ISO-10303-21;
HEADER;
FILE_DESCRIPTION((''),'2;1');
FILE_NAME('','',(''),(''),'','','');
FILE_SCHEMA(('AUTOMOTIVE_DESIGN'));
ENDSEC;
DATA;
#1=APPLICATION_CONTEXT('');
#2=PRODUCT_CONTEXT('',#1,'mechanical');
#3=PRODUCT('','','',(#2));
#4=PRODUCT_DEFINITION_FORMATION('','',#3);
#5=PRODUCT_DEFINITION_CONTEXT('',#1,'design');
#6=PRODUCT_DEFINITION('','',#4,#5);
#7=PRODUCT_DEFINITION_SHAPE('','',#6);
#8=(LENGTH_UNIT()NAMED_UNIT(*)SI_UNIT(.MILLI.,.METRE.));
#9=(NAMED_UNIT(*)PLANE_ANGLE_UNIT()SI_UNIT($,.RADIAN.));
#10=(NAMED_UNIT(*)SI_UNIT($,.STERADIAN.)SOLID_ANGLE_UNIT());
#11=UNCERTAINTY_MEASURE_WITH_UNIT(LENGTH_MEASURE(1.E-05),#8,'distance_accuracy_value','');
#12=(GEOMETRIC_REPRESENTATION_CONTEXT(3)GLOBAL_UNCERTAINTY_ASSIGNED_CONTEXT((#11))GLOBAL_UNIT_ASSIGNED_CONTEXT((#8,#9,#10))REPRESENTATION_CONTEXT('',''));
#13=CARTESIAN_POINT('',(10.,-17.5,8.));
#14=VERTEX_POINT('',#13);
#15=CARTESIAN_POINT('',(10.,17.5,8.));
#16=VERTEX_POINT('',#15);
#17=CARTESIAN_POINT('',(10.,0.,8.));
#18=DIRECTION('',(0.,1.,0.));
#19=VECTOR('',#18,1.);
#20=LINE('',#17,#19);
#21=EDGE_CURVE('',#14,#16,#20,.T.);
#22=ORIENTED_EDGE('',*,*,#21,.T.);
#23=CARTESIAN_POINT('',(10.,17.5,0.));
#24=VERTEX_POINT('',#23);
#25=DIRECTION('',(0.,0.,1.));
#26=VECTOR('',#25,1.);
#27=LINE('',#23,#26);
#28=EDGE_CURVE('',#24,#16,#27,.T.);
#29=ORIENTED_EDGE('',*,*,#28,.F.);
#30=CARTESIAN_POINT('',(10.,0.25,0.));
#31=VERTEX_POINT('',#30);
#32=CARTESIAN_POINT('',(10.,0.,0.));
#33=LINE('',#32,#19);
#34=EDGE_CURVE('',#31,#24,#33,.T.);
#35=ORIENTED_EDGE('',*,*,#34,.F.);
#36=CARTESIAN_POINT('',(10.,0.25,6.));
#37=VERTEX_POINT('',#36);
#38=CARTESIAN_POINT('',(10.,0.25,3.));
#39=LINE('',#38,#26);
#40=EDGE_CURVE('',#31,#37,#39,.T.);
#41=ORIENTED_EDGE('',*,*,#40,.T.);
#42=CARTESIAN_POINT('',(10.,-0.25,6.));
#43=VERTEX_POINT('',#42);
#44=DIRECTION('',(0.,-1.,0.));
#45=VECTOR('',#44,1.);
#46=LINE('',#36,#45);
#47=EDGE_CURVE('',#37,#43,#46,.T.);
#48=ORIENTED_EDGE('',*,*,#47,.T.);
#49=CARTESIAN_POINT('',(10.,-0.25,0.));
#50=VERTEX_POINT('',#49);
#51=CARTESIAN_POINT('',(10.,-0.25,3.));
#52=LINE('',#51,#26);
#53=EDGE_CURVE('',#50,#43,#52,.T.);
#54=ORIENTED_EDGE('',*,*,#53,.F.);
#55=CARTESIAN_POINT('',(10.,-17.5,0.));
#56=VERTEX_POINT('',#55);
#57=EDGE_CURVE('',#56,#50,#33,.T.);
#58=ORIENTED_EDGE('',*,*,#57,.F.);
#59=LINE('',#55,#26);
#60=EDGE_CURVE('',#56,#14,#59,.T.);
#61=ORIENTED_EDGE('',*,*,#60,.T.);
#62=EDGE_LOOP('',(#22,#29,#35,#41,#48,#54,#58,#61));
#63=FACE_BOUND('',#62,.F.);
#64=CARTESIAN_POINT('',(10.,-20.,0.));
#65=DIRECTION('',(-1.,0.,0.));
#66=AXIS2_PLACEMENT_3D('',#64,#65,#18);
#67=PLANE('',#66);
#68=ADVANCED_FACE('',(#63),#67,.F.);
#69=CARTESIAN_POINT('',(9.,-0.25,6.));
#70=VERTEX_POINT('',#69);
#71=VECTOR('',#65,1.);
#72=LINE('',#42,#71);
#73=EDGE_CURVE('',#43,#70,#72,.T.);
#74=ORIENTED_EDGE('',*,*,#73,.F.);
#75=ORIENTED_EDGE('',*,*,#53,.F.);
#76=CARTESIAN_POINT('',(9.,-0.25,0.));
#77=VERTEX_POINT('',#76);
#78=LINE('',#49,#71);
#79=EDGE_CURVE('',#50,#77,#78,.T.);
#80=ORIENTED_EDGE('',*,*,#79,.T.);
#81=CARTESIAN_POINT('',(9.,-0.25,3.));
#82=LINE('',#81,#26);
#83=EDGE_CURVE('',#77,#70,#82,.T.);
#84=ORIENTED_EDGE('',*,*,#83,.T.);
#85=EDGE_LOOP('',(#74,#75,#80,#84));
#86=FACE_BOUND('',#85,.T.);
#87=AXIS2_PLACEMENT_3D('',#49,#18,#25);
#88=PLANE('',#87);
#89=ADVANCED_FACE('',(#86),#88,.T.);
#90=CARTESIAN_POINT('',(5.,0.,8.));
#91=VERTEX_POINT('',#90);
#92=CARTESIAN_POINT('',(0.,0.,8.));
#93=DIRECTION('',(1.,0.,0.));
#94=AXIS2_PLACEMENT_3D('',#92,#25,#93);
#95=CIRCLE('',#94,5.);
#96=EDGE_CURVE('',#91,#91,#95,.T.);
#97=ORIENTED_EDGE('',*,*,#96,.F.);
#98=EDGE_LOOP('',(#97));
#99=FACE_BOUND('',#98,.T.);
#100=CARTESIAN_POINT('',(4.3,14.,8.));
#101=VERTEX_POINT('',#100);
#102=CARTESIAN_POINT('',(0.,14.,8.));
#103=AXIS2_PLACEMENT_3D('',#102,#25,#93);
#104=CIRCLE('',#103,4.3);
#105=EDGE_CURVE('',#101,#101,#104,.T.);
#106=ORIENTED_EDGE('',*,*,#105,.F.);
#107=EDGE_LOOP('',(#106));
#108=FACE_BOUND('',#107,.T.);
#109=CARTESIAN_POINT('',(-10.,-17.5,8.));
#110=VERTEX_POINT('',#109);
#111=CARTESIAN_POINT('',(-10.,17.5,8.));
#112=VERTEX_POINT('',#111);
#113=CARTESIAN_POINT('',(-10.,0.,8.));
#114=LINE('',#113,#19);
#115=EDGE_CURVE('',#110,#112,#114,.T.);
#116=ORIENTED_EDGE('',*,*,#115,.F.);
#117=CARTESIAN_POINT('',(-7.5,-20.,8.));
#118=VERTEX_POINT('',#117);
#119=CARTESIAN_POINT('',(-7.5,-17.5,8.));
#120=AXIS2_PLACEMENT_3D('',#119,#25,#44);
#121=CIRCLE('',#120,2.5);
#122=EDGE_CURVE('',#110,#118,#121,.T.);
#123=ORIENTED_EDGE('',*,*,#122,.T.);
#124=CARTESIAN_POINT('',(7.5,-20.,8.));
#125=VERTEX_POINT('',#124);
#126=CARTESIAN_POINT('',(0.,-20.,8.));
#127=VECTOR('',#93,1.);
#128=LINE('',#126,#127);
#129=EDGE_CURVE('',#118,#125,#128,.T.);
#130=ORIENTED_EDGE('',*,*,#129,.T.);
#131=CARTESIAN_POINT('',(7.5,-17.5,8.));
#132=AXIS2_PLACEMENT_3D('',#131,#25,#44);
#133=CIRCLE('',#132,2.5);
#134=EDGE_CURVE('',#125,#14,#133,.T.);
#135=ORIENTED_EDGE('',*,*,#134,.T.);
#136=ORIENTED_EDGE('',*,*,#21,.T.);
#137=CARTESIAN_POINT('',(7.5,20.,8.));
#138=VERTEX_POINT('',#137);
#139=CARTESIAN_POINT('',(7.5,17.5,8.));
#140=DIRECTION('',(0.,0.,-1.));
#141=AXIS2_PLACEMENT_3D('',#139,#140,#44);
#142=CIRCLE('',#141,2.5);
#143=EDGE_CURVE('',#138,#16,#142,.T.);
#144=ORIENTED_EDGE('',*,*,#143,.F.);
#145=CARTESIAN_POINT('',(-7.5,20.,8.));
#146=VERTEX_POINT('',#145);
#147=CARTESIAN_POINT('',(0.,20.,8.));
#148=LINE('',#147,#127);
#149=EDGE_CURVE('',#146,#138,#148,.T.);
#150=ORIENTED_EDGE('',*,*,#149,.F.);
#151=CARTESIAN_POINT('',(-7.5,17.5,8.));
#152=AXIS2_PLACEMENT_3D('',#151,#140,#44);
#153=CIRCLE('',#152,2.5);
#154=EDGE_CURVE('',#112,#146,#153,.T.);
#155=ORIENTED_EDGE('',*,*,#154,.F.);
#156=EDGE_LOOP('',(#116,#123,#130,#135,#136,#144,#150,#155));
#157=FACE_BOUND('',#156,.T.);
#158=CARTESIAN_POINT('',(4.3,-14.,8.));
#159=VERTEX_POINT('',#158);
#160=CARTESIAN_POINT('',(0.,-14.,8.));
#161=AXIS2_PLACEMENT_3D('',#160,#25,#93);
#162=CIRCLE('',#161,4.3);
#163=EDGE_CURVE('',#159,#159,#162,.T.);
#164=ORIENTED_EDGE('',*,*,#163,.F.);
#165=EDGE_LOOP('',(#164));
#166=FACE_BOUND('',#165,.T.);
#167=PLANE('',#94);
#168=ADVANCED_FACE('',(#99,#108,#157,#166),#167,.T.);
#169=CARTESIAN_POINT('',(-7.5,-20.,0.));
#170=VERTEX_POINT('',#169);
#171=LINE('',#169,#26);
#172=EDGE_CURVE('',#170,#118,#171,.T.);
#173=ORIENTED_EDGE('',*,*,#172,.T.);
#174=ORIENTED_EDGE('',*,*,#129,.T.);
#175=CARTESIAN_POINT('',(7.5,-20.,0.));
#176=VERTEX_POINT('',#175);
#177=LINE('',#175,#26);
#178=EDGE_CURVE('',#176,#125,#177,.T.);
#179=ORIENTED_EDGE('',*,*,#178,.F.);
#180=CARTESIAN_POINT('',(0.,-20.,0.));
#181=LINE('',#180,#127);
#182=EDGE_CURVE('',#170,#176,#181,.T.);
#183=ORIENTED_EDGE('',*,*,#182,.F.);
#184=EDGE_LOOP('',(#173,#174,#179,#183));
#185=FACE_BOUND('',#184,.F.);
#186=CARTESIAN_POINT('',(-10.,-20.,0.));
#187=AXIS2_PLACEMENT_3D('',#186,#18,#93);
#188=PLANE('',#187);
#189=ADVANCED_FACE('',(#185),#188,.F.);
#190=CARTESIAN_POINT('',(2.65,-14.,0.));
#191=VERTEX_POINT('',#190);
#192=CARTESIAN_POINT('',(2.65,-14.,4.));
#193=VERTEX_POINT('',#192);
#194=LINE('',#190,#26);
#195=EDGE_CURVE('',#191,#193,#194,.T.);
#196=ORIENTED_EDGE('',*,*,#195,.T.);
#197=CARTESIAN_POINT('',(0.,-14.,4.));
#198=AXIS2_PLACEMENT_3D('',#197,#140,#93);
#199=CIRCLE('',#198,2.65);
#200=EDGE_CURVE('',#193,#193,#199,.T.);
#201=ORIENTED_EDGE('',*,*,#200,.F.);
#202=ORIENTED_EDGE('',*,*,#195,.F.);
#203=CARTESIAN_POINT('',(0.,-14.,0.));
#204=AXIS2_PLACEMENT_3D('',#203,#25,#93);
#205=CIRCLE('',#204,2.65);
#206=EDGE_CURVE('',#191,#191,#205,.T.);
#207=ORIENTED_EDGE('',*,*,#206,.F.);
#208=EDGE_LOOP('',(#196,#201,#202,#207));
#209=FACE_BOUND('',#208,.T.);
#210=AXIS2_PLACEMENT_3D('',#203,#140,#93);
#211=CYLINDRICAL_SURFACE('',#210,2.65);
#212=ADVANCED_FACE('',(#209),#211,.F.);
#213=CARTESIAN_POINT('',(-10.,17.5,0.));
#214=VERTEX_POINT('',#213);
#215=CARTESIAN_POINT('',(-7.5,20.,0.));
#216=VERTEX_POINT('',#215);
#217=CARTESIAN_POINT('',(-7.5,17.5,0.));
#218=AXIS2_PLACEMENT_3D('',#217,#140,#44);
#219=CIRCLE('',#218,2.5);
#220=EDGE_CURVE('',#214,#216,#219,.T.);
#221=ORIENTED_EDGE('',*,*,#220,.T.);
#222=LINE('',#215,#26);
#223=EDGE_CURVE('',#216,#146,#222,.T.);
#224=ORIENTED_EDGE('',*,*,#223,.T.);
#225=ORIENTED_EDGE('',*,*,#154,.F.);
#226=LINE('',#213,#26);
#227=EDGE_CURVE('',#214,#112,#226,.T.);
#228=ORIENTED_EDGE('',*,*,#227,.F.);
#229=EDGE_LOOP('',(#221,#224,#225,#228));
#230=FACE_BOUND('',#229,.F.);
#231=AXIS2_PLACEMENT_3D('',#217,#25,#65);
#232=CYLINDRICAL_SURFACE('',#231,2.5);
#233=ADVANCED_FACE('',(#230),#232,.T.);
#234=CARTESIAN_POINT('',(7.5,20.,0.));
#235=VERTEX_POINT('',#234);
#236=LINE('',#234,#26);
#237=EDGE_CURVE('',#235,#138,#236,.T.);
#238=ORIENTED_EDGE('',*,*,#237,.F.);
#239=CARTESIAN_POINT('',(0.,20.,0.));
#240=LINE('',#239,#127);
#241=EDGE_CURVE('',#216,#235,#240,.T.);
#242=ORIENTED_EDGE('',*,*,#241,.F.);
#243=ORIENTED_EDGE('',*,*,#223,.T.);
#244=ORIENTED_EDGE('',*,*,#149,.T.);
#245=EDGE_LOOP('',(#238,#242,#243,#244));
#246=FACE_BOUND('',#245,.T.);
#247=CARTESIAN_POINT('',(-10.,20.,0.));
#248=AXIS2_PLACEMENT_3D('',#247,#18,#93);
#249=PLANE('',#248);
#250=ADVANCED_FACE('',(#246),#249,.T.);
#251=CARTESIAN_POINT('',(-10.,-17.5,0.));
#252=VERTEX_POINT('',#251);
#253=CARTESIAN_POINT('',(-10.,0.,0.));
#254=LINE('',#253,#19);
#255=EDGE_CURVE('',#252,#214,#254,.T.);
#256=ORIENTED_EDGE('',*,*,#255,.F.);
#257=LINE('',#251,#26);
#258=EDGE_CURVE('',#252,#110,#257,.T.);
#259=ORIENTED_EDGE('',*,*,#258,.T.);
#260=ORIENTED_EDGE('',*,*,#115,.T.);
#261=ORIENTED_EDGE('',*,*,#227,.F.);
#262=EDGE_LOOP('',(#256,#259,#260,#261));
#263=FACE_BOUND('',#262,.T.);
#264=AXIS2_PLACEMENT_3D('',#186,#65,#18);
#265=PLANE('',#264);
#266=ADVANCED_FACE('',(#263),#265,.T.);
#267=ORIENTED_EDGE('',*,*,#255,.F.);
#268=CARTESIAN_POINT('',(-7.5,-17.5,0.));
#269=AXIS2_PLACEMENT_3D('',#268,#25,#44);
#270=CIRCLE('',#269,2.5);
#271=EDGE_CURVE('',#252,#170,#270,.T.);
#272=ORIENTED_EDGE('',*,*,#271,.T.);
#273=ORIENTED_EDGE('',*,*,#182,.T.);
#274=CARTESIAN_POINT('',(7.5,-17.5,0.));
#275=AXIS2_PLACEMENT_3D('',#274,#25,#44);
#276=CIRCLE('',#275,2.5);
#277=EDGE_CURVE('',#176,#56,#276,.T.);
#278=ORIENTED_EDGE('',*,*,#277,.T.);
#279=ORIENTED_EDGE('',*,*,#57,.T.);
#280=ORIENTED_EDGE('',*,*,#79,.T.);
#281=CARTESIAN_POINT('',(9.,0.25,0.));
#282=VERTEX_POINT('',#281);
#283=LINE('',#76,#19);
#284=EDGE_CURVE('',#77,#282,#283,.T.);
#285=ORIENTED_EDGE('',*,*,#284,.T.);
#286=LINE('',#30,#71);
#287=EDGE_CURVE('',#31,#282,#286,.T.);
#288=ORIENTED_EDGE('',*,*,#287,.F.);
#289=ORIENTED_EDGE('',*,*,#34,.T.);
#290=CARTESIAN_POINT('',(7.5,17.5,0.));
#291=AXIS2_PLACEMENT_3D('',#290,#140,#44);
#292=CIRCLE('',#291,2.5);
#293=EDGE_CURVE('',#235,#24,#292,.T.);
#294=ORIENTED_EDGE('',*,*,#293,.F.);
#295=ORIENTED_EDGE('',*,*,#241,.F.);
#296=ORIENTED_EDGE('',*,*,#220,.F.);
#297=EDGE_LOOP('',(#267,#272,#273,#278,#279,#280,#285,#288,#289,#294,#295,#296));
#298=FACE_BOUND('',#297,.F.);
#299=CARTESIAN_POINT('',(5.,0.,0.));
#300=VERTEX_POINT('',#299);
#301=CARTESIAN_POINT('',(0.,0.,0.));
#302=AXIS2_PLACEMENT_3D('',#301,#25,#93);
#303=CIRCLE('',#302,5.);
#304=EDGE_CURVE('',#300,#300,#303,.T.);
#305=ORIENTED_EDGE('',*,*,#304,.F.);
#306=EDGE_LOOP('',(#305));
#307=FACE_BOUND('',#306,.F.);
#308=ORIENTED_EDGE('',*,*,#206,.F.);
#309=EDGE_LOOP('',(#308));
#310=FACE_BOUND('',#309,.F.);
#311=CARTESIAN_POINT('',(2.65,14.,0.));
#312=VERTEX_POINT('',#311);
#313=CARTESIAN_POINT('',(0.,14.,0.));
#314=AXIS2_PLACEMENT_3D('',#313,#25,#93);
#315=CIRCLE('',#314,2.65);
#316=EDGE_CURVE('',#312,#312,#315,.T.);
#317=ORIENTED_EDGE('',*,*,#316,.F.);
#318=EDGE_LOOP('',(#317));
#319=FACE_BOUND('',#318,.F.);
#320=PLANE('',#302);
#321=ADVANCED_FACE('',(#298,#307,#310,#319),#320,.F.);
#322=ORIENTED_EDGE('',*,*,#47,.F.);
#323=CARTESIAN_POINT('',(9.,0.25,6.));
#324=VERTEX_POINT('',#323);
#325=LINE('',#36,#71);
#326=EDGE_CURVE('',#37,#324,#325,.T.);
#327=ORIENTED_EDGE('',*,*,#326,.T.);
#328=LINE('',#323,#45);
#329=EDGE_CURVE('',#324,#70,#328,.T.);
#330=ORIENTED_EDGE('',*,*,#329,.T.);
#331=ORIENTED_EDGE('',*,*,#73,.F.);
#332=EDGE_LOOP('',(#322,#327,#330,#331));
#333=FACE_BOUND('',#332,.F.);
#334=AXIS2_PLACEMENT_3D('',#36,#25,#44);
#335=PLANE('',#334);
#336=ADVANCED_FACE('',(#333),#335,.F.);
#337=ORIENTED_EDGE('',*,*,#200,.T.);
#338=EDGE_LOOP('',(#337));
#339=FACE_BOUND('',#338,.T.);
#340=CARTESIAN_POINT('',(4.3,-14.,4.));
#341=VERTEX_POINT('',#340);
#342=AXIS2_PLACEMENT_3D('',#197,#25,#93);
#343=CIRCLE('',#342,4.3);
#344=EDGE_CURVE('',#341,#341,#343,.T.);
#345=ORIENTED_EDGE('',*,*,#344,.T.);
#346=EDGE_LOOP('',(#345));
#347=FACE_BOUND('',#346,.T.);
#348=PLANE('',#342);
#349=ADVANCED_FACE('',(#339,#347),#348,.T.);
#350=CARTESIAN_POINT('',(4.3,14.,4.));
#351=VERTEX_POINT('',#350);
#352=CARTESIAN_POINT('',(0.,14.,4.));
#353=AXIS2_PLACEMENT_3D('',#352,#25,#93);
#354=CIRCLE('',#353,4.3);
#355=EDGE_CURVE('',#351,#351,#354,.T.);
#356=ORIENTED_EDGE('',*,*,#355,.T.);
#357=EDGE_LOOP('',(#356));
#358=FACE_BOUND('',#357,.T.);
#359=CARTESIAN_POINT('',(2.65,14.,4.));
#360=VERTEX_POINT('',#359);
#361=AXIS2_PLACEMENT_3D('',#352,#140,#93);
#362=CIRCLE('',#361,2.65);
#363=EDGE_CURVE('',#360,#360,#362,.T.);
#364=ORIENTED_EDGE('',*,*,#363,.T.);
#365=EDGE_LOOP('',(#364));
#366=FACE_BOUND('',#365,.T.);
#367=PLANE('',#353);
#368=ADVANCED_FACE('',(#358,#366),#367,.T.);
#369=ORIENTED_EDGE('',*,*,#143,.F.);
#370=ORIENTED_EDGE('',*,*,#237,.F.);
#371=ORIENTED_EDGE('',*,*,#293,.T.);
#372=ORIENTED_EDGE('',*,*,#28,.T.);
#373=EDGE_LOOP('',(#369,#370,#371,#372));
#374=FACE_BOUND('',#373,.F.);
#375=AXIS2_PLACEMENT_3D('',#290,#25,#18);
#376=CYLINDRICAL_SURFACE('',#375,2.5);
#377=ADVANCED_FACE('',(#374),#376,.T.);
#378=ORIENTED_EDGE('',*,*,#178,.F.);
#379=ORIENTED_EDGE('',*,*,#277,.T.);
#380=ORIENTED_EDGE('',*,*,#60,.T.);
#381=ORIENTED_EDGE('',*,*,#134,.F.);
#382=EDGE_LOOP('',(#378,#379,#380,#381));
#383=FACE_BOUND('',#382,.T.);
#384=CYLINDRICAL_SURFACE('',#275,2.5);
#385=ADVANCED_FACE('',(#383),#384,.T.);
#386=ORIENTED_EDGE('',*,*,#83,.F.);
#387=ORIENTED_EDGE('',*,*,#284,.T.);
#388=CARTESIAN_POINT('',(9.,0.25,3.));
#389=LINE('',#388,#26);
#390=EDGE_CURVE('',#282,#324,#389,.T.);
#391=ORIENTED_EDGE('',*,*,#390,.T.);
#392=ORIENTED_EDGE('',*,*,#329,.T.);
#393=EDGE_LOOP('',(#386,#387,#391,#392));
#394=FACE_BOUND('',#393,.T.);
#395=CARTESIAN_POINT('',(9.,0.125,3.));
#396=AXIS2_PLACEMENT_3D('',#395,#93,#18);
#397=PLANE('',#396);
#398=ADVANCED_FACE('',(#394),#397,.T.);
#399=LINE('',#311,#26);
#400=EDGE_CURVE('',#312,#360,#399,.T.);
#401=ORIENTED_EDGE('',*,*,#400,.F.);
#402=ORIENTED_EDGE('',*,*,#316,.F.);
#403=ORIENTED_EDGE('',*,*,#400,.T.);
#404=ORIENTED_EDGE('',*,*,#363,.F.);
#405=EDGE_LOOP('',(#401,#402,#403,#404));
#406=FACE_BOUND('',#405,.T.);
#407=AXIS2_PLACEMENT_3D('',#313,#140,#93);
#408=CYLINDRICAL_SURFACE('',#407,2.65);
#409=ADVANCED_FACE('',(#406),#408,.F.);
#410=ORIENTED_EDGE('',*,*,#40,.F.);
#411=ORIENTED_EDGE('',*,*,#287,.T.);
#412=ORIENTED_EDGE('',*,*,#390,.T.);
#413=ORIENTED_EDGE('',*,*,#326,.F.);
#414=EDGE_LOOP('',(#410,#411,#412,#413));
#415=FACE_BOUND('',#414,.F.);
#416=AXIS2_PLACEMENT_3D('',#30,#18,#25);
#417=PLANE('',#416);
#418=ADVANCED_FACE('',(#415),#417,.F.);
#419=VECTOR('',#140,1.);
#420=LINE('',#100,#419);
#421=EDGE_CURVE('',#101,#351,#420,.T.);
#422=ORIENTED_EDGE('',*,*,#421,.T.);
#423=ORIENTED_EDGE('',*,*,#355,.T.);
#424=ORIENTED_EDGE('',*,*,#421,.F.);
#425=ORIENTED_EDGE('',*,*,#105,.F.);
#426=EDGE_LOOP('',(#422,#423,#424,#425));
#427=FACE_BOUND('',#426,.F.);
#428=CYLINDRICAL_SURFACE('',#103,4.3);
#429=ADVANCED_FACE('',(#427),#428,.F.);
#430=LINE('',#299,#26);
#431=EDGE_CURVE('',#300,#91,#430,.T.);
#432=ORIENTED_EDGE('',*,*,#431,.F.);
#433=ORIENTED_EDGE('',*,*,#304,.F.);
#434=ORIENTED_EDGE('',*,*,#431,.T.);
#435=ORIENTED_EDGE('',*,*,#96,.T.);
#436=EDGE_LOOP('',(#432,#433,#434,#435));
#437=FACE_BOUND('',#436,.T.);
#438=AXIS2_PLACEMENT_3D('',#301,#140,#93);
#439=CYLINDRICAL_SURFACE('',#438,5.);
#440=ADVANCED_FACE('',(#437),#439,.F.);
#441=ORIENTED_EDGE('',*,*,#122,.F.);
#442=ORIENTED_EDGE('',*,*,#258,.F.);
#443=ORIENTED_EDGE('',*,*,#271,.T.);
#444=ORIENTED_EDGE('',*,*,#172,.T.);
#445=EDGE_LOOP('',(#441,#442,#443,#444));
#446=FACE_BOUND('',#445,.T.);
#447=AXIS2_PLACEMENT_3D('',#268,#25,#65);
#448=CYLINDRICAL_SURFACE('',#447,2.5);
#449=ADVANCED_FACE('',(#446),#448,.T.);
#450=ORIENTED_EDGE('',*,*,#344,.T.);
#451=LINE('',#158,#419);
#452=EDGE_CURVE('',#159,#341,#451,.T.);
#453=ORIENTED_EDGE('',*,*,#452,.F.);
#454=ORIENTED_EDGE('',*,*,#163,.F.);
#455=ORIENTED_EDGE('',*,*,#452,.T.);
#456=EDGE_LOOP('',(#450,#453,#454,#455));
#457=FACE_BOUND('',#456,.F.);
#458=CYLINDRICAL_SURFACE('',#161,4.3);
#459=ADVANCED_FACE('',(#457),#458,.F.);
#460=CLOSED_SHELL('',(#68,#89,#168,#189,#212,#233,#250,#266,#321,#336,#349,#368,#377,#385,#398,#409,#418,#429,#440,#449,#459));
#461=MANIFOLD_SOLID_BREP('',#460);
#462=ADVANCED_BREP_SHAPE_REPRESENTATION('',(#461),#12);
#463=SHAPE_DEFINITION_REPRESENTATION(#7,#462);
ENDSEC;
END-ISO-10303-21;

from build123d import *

# Parameters (mm, degrees)
F1_W     = 20
F1_H     = 40
F1_R     = 2.65
F1_R_2   = 5
F2_DEPTH = 8
F3_R     = 4.3
F4_DEPTH = 4
F5_R     = 2.5
F6_W     = 0.25
F6_H     = 6
F7_DEPTH = 1


with BuildPart() as f2:
    # F1 (on Top) → F2 (new body)
    with BuildSketch(Plane.XY):
        Rectangle(F1_W, F1_H)
        with Locations((0, -14)):
            Circle(F1_R, mode=Mode.SUBTRACT)
        Circle(F1_R_2, mode=Mode.SUBTRACT)
        with Locations((0, 14)):
            Circle(F1_R, mode=Mode.SUBTRACT)
    extrude(amount=F2_DEPTH)

    # F3 (on face) → F4 (cut)
    with BuildSketch(Plane.XY.offset(8)):
        with Locations((0, 14)):
            Circle(F3_R)
        with Locations((0, -14)):
            Circle(F3_R)
    extrude(amount=-F4_DEPTH, mode=Mode.SUBTRACT)

    # F5
    f5_edges = [f2.edges().sort_by_distance(p)[0] for p in [
        (10, -20, 4),
        (-10, -20, 4),
        (10, 20, 4),
        (-10, 20, 4),
    ]]
    fillet(f5_edges, radius=F5_R)

    # F6 (on face) → F7 (cut)
    with BuildSketch(Plane.YZ.offset(10)):
        with Locations((0.125, 3)):
            Rectangle(F6_W, F6_H)
        with Locations((-0.125, 3)):
            Rectangle(F6_W, F6_H)
    extrude(amount=-F7_DEPTH, mode=Mode.SUBTRACT)


solid = f2.part
